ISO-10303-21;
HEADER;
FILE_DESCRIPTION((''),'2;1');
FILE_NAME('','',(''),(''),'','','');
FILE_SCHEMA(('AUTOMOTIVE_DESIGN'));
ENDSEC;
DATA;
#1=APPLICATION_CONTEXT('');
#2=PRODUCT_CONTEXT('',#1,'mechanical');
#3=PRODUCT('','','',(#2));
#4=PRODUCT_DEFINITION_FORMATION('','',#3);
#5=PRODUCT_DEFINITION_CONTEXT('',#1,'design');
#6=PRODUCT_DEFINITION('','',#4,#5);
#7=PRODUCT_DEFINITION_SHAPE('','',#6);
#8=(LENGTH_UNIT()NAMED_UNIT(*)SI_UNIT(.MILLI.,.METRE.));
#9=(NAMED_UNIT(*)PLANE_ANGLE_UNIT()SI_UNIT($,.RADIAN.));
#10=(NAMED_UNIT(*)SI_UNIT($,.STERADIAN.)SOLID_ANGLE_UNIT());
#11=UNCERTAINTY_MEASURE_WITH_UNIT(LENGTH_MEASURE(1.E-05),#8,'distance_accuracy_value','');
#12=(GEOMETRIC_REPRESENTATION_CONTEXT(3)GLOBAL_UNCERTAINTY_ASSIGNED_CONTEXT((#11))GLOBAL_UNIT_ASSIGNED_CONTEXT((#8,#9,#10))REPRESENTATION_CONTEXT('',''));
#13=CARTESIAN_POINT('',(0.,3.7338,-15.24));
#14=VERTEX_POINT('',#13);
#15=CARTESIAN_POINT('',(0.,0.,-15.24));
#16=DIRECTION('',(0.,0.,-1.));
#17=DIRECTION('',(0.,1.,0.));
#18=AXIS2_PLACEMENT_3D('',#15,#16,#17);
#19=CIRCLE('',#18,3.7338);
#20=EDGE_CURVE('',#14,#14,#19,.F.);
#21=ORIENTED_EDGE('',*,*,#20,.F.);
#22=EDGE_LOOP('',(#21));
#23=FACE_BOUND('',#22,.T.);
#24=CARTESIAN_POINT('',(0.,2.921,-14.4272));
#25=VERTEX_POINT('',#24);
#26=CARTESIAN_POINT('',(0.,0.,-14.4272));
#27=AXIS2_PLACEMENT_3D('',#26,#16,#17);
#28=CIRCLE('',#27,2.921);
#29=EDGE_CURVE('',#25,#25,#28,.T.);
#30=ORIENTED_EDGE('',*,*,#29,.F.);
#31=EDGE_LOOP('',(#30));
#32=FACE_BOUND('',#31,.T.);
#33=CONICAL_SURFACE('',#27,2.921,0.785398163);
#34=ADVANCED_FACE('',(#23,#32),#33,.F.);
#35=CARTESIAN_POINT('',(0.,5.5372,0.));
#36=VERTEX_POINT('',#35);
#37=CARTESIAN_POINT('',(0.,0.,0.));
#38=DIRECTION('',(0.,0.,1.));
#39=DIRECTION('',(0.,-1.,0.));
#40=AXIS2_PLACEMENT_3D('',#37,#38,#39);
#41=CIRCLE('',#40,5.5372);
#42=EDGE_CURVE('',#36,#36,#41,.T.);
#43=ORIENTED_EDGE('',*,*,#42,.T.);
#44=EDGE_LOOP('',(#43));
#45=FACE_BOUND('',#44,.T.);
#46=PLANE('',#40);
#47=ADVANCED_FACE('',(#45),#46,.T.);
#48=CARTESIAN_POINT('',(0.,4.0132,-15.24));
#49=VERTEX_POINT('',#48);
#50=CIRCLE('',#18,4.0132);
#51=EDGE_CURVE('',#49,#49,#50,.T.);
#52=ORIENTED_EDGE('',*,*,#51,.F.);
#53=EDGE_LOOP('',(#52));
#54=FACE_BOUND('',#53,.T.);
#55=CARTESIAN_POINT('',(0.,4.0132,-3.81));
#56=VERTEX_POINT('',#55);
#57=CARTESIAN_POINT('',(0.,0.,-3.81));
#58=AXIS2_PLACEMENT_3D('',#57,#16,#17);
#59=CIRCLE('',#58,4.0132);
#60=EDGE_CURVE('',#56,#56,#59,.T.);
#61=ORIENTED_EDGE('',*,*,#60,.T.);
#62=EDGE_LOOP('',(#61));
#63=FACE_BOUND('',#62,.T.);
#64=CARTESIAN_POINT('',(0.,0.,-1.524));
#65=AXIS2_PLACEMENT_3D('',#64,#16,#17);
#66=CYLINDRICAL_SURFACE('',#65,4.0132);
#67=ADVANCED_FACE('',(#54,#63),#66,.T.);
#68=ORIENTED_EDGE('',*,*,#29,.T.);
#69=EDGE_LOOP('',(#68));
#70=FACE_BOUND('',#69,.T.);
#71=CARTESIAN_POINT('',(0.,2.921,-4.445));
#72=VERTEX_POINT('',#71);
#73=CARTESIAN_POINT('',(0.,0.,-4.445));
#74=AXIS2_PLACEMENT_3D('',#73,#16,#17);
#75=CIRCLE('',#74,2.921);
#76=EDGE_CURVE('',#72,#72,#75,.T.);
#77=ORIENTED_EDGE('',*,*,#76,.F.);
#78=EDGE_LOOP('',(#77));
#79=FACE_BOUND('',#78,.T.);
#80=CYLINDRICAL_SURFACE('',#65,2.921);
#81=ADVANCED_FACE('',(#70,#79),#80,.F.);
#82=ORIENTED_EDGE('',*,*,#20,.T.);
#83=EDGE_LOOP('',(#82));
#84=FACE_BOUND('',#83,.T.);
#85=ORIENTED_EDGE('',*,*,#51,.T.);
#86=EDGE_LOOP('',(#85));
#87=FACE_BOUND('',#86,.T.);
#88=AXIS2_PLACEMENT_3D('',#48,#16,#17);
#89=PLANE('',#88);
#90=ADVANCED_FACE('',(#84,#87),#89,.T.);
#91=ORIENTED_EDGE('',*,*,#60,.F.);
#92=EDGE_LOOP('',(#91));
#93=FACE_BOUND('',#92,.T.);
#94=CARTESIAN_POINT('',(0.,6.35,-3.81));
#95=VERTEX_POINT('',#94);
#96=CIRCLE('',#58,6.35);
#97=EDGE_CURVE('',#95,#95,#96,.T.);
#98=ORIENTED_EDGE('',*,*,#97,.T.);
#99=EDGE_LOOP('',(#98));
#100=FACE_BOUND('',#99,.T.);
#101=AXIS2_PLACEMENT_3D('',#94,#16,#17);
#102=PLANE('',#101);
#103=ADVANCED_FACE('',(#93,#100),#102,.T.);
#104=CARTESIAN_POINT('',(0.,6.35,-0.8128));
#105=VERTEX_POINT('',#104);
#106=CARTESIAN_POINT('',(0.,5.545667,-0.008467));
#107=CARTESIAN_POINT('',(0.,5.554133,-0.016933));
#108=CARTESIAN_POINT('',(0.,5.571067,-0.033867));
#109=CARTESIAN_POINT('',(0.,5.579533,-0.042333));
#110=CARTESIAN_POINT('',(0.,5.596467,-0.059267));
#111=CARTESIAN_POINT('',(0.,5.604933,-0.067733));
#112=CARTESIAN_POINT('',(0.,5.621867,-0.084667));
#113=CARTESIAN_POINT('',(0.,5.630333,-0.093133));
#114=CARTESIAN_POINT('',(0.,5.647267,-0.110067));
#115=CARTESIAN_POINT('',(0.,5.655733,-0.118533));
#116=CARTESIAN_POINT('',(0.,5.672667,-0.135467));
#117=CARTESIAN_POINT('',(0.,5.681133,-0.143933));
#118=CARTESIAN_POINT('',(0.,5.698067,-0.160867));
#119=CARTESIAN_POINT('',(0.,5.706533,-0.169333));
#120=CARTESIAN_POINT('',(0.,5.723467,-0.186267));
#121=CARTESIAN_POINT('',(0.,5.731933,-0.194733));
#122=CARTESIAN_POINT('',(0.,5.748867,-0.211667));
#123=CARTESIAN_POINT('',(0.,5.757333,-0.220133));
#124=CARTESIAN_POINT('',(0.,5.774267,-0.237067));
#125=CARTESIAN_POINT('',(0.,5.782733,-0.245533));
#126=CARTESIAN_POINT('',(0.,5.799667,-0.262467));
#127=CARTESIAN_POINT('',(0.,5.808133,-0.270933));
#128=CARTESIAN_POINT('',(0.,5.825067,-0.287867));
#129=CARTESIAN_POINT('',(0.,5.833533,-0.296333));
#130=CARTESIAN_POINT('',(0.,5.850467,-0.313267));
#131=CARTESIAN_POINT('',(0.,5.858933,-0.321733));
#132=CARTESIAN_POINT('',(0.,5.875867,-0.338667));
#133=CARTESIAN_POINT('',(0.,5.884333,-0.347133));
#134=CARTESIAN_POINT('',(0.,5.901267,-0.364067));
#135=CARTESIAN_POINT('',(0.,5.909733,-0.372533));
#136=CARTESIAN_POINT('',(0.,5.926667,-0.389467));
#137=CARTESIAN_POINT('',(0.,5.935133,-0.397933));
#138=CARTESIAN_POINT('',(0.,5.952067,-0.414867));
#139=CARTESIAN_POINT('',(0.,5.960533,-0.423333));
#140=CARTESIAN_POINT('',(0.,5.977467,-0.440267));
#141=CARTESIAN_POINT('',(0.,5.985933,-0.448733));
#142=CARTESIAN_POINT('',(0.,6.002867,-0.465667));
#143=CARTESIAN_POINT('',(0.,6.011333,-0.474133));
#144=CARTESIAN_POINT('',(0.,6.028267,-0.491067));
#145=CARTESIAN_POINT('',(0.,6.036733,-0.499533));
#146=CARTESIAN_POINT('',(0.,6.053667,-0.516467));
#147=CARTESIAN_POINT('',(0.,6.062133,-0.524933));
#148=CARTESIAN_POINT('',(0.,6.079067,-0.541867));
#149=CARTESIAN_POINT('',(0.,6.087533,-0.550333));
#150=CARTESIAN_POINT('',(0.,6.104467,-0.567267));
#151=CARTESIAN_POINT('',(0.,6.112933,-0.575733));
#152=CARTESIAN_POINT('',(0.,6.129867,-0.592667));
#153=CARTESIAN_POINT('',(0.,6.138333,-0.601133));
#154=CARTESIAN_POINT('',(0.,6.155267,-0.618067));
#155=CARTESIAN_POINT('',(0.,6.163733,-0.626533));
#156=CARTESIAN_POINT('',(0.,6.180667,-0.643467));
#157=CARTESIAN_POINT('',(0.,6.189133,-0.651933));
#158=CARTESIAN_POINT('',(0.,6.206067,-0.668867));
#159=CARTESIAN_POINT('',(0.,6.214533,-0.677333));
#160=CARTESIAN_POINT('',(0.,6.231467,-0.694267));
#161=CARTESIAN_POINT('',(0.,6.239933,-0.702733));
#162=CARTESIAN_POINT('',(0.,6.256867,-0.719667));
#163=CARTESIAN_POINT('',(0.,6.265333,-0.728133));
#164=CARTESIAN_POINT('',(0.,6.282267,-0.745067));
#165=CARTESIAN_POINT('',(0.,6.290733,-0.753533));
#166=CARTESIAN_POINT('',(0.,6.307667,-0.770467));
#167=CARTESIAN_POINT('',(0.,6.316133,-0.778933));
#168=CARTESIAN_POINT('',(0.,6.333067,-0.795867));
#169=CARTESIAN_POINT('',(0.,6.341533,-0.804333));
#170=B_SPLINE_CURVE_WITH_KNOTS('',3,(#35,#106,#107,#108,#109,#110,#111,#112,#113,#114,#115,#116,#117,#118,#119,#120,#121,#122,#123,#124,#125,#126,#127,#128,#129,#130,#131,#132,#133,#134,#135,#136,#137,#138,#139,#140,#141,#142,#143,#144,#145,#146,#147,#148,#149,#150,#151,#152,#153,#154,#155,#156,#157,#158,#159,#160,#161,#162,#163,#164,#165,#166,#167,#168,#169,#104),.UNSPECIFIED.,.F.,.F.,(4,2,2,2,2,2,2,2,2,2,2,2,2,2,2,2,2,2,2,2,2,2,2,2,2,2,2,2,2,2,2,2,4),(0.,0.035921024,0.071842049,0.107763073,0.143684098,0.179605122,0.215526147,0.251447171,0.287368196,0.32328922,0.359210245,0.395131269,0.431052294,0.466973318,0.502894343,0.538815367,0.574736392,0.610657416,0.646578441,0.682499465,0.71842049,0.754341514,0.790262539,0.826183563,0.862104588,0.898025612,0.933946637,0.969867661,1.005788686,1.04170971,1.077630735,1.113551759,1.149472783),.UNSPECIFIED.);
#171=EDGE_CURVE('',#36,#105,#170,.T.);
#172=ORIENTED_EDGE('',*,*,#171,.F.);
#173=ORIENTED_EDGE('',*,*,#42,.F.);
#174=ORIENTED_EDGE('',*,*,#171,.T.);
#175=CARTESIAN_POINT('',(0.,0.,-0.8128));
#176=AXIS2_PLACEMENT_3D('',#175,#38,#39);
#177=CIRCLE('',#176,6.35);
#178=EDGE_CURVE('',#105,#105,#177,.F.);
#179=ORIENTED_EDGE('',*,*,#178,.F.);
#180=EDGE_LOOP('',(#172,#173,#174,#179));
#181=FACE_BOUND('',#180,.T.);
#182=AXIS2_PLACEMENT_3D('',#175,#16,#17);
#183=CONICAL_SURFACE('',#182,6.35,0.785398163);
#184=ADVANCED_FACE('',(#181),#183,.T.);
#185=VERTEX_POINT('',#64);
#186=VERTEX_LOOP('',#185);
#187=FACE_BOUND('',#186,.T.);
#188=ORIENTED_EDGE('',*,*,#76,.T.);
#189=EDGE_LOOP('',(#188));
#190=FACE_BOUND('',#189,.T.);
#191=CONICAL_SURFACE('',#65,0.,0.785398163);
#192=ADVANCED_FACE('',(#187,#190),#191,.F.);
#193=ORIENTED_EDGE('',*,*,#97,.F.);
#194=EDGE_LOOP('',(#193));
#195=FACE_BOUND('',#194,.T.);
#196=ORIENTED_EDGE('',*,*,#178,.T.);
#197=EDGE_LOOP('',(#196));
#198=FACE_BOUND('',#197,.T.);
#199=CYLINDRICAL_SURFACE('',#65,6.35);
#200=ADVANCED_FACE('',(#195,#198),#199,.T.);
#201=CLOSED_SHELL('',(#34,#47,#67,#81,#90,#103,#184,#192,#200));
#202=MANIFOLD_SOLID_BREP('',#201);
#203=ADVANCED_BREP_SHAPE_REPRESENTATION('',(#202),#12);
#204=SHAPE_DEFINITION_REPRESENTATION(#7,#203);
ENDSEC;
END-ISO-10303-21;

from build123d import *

# Parameters (mm, degrees)
CHAMFER1_SIZE = 0.8128


with BuildPart() as part:
    # Sketch1 → Revolve2 (revolve)
    with BuildSketch(Plane(origin=(0, 0, 0), x_dir=(0, 0, -1), z_dir=(1, 0, 0))):
        Polygon((0, 0), (0, 6.35), (3.81, 6.35), (3.81, 4.0132), (15.24, 4.0132), (15.24, 2.921), (4.445, 2.921), (1.524, 0), align=None)
    revolve(axis=Axis((0, 0, -1.524), (0, 0, 1)))

    # Chamfer1
    chamfer1_edges = [part.edges().sort_by_distance(p)[0] for p in [
        (0, -2.921, -15.24),
        (0, -6.35, 0),
    ]]
    chamfer(chamfer1_edges, length=CHAMFER1_SIZE)


solid = part.part
